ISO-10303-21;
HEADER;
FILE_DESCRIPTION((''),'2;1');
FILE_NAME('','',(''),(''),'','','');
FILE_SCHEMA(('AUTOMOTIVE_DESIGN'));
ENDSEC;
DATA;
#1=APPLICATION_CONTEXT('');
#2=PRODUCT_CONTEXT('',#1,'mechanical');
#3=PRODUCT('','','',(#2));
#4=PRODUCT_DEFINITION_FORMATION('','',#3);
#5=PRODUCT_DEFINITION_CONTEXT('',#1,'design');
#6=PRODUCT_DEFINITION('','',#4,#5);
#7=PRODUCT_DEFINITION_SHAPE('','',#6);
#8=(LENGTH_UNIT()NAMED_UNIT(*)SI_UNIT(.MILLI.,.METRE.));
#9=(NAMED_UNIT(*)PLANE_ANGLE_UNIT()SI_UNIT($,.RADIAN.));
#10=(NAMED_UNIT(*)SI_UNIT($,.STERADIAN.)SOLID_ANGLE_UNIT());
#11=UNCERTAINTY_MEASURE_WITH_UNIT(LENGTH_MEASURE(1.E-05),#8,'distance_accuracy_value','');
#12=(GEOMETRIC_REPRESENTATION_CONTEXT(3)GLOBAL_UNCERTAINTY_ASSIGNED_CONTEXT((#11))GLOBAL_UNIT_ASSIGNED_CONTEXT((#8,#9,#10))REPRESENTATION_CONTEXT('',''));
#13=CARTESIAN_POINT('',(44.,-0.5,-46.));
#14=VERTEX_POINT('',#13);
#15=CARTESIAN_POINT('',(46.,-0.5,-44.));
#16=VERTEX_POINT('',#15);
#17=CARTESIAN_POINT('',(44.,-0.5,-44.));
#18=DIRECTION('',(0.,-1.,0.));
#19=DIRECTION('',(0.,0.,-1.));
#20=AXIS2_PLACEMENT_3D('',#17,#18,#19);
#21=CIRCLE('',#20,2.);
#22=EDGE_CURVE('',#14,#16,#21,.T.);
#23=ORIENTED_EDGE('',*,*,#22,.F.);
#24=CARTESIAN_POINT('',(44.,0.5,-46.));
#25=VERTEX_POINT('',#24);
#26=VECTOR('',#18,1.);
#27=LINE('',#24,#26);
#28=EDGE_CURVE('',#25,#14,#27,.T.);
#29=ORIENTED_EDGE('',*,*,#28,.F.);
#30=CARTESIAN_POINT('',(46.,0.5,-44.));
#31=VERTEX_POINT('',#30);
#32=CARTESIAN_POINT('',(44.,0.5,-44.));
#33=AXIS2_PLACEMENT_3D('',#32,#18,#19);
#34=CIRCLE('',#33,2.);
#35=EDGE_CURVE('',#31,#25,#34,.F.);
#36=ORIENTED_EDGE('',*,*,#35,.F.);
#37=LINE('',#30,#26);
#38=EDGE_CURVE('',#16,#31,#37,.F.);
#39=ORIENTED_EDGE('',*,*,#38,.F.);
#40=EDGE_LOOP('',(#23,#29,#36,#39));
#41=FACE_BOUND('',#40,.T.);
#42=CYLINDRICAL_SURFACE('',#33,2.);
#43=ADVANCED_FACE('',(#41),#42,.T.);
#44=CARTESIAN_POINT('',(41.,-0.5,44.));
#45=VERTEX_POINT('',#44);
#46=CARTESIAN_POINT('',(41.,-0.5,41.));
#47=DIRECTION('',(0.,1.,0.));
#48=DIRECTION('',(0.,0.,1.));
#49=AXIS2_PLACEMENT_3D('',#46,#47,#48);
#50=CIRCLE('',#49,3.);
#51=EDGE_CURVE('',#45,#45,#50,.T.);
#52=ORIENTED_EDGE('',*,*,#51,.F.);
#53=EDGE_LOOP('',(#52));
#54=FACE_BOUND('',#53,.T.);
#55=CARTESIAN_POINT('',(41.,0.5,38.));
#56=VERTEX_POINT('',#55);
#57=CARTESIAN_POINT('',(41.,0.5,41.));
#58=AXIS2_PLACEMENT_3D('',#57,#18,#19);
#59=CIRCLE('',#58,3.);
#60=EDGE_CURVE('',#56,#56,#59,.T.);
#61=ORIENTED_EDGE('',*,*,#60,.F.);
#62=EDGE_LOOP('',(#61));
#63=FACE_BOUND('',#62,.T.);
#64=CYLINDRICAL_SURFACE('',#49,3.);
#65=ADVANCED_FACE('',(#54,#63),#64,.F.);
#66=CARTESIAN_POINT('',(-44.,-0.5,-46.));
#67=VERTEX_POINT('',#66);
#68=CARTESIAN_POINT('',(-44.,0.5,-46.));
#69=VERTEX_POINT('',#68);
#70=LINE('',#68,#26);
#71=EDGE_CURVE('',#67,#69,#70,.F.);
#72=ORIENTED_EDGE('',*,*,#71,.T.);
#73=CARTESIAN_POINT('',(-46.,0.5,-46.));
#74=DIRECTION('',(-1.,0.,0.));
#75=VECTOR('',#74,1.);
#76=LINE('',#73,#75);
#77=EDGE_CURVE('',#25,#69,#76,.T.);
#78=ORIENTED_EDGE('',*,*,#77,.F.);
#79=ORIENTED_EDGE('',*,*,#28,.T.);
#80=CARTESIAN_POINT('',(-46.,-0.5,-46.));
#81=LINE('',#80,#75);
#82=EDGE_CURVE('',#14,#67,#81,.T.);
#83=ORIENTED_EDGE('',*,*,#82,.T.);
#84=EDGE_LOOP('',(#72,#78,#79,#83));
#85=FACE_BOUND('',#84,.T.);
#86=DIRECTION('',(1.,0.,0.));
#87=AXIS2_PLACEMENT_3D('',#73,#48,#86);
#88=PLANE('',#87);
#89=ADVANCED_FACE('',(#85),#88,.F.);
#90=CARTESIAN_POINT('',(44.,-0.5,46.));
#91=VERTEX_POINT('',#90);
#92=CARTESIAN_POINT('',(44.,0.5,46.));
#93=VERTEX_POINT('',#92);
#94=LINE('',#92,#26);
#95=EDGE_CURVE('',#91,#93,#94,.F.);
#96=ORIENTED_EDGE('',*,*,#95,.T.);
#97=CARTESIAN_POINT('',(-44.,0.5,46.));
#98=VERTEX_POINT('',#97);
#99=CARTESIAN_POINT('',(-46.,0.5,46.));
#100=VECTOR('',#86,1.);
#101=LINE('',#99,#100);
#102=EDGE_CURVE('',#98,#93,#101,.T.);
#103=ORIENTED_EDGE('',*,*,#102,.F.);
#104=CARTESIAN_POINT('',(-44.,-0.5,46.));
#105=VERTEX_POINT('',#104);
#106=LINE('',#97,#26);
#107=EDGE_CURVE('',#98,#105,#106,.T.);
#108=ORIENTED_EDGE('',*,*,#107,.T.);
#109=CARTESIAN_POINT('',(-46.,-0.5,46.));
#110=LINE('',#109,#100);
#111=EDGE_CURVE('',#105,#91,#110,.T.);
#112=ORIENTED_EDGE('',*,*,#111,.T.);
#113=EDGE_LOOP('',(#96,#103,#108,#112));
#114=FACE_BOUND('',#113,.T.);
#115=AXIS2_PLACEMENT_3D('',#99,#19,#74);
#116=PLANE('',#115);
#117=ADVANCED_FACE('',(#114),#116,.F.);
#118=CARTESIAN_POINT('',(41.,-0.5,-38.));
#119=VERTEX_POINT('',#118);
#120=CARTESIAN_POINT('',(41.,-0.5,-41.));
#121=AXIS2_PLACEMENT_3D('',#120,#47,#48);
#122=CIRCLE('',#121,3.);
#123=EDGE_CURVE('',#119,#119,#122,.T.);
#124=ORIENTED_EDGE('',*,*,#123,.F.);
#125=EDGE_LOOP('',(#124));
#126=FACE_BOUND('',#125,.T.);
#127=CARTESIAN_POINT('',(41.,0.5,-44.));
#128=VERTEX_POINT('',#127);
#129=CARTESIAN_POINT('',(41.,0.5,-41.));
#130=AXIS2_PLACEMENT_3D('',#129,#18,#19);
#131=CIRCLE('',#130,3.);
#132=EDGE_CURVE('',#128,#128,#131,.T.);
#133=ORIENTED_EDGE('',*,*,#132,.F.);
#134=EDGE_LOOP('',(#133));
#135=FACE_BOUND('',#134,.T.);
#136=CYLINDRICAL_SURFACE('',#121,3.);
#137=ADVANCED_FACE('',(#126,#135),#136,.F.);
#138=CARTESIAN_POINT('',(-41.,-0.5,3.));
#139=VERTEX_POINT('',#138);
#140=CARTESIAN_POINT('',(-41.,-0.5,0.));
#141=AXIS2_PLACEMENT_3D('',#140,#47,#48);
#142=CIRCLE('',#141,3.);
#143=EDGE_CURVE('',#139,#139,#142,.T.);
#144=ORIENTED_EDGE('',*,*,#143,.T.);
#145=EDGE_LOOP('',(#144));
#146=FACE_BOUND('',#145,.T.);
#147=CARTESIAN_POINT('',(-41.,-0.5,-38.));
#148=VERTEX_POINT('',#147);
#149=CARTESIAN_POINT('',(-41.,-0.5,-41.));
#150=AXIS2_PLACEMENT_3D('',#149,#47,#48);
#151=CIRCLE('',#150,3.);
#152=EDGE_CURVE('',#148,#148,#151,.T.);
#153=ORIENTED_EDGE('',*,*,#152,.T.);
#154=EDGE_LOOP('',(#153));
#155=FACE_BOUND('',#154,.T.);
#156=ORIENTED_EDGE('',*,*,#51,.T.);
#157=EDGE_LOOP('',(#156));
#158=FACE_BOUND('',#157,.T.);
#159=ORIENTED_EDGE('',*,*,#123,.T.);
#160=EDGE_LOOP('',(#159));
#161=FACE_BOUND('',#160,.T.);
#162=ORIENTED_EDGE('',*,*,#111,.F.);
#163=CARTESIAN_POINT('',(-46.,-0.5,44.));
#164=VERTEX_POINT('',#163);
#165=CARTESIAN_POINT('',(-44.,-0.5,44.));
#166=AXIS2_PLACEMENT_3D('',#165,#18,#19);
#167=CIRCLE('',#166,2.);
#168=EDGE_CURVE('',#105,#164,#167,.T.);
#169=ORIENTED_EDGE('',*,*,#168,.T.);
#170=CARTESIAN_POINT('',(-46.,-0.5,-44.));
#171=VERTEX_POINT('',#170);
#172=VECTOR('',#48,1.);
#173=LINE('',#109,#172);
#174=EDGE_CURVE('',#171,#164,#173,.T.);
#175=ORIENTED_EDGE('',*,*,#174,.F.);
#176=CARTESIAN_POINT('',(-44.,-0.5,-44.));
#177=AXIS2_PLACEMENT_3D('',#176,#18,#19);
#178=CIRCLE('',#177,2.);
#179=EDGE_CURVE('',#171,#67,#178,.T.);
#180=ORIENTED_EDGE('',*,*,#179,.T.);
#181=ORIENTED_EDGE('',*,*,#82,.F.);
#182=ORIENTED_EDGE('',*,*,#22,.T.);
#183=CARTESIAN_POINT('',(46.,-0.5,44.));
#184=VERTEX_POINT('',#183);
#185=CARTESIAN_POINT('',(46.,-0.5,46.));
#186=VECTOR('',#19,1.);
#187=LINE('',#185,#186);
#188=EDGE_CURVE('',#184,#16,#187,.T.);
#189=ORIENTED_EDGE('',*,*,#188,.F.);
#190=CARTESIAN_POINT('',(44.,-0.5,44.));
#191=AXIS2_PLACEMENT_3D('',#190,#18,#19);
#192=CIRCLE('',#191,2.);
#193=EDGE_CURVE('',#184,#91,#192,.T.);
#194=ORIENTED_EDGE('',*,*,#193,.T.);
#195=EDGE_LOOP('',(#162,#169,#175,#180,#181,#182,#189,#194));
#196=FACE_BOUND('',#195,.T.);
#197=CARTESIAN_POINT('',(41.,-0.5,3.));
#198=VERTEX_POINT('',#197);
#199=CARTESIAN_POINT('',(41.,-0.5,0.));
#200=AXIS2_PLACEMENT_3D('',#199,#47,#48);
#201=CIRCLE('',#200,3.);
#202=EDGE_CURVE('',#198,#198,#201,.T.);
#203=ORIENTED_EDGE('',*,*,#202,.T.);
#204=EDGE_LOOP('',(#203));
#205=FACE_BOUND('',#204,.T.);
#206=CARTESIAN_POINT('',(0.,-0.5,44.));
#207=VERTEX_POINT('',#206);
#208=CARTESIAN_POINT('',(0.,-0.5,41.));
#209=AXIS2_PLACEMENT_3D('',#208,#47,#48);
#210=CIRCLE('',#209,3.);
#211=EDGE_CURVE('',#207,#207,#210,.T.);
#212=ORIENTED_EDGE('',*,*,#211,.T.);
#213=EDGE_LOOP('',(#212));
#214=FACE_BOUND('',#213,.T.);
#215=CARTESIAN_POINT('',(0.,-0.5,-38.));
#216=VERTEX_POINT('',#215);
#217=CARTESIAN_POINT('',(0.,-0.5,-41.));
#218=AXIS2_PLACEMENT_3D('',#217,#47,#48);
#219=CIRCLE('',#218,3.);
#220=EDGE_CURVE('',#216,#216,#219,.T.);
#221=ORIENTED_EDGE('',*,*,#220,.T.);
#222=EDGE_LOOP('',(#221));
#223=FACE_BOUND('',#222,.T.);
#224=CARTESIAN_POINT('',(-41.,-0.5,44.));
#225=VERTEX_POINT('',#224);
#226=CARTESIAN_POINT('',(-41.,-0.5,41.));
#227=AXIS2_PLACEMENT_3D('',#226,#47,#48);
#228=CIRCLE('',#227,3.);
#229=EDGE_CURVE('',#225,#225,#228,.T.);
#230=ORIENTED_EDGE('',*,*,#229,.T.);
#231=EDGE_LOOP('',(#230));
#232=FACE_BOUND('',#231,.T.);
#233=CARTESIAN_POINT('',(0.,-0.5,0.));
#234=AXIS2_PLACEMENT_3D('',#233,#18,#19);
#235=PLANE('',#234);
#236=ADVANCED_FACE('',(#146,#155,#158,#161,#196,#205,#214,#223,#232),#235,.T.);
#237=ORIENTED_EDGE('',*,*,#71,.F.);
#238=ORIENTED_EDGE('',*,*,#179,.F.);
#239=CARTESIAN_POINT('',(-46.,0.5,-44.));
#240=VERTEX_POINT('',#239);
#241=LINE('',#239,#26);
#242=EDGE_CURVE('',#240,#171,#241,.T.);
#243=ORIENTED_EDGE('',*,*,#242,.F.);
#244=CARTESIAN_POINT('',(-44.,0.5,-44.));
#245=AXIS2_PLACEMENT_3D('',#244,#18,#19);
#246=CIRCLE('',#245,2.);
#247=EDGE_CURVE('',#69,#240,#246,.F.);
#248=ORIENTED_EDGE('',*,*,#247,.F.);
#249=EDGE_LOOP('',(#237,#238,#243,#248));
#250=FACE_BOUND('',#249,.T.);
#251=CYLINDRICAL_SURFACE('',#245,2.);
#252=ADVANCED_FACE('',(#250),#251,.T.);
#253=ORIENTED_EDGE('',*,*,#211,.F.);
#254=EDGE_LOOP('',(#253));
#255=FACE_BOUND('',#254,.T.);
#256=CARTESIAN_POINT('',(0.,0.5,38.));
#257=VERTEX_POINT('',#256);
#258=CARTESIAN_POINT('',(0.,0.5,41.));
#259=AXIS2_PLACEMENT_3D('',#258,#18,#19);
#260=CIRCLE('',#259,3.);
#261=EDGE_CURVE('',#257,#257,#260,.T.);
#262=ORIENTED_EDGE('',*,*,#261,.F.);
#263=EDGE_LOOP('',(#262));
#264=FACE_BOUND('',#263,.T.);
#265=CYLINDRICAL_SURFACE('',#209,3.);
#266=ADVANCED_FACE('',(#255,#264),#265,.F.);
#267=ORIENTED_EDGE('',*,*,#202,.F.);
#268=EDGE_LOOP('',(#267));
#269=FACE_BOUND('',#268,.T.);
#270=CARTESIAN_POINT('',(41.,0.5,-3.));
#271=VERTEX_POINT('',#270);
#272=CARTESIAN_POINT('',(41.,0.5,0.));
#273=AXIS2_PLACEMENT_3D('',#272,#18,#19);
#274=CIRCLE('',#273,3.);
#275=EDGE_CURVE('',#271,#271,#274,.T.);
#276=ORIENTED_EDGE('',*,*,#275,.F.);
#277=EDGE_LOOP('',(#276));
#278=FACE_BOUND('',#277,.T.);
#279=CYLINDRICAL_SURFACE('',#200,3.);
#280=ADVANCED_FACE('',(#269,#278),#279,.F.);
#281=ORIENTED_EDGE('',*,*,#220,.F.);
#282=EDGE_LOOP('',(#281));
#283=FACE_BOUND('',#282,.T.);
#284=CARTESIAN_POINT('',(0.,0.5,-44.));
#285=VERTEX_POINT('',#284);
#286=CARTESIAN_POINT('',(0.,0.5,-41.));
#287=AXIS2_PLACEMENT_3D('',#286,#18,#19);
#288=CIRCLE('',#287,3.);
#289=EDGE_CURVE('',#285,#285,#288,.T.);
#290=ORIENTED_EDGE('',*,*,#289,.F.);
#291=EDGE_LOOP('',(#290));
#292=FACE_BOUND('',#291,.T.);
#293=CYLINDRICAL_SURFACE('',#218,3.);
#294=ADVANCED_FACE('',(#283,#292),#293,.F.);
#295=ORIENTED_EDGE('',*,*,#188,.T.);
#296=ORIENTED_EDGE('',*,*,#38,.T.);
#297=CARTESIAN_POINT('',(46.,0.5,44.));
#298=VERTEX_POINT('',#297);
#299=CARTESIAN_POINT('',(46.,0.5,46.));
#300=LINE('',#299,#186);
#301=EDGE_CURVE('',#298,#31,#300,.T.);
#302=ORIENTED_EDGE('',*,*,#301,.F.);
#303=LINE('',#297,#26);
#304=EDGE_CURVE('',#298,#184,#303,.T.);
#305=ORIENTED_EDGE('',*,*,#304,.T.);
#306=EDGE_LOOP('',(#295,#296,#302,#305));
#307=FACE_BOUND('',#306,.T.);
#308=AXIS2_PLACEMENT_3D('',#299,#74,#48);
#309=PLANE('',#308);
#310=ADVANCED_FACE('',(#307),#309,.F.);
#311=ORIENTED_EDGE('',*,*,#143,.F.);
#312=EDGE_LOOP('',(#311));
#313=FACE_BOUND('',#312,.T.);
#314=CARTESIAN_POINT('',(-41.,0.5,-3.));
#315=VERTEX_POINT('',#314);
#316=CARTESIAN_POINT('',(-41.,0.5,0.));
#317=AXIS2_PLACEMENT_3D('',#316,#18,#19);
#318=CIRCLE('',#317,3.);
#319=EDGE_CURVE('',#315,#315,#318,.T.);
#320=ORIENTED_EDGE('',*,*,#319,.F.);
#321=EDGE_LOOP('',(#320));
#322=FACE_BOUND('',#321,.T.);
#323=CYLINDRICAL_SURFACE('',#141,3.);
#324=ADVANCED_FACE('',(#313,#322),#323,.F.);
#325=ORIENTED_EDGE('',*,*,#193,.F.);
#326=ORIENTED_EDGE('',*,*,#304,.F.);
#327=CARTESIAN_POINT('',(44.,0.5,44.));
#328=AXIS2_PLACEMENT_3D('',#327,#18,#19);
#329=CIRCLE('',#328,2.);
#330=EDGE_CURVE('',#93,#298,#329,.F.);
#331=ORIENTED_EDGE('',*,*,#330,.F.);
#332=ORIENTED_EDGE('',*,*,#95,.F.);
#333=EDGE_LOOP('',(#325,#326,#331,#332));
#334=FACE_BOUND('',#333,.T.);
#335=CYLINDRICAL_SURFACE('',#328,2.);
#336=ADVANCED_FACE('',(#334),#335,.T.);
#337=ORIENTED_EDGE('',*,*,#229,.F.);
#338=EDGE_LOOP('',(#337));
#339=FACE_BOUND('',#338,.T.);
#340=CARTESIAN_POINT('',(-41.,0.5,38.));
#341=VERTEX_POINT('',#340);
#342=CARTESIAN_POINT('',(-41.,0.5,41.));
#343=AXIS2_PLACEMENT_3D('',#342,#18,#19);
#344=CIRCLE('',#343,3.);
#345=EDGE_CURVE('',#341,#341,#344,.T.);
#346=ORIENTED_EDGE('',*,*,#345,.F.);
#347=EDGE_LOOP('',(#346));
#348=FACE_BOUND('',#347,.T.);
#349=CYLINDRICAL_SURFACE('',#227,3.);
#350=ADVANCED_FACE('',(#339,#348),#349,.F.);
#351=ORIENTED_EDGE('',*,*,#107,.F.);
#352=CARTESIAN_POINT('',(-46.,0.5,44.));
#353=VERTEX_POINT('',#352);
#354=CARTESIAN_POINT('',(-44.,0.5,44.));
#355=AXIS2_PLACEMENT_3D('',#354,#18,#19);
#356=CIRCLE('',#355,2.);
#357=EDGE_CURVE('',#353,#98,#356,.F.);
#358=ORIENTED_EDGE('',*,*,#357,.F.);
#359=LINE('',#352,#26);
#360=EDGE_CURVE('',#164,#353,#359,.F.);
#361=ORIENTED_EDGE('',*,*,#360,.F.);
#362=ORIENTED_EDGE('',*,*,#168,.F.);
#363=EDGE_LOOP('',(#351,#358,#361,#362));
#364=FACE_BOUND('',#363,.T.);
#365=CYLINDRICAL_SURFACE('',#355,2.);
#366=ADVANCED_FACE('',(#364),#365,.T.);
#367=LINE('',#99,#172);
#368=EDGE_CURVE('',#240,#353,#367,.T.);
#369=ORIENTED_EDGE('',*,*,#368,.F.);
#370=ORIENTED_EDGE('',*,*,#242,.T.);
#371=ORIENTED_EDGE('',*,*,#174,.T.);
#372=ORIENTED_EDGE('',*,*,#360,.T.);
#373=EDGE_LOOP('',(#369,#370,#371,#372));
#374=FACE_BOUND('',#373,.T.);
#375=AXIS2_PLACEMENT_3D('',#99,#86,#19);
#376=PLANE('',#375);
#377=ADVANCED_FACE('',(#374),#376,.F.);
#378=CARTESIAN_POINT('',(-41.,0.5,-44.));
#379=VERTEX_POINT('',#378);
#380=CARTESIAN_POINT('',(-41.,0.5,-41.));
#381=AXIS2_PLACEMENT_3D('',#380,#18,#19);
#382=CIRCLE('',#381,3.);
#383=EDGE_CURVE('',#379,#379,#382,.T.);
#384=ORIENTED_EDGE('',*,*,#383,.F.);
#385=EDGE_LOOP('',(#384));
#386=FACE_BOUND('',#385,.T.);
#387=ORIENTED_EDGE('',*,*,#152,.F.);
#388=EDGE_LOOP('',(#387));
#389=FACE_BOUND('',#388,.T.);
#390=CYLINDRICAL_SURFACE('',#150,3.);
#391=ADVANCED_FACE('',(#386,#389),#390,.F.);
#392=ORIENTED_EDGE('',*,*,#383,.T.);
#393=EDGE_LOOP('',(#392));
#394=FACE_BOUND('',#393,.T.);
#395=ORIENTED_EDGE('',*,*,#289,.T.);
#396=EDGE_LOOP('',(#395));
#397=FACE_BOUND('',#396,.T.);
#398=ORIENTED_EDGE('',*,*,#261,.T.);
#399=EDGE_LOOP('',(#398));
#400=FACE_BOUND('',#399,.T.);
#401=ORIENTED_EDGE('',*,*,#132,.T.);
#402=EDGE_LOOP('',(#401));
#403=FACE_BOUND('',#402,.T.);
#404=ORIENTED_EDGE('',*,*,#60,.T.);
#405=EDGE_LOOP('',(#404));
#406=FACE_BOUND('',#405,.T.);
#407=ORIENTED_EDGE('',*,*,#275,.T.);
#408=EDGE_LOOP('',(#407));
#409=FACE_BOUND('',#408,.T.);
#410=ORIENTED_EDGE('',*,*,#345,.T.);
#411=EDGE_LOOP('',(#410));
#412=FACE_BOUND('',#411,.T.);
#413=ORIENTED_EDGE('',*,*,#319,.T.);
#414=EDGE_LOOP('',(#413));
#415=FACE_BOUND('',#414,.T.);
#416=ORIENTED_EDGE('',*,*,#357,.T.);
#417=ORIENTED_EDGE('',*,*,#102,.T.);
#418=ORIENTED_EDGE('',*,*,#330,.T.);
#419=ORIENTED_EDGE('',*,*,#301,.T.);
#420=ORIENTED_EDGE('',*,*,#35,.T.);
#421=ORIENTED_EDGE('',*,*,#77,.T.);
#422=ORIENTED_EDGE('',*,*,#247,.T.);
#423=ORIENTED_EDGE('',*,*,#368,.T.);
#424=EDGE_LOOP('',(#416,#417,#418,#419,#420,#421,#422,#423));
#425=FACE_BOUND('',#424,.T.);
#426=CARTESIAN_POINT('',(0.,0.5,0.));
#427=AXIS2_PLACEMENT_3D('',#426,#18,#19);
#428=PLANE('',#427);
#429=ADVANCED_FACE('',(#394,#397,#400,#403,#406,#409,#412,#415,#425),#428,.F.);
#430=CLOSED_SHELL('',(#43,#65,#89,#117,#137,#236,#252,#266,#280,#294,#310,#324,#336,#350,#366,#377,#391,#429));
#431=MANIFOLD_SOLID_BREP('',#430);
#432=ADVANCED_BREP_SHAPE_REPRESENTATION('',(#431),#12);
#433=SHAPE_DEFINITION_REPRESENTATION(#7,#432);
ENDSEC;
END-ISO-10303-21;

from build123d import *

# Parameters (mm, degrees)
SKETCH1_W               = 92
SKETCH1_H               = 92
BOSS_EXTRUDE1_DEPTH     = 0.5
FILLET1_R               = 2
CUT_EXTRUDE1_DEPTH      = 66.061509358
CUT_EXTRUDE1_DEPTH_BACK = 66.061509358
SKETCH2_R               = 3


with BuildPart() as part:
    # Sketch1 → Boss-Extrude1 (new, symmetric)
    with BuildSketch(Plane(origin=(0, 0, 0), x_dir=(1, 0, 0), z_dir=(0, 1, 0))):
        Rectangle(SKETCH1_W, SKETCH1_H)
    extrude(amount=BOSS_EXTRUDE1_DEPTH, both=True)

    # Fillet1
    fillet1_edges = [part.edges().sort_by_distance(p)[0] for p in [
        (46, 0, 46),
        (-46, 0, 46),
        (-46, 0, -46),
        (46, 0, -46),
    ]]
    fillet(fillet1_edges, radius=FILLET1_R)

    # Sketch2 → Cut-Extrude1 (cut, two sides: drawn at the far end of the back side and taken through both)
    with BuildSketch(Plane(origin=(0, 0.5, 0), x_dir=(1, 0, 0), z_dir=(0, 1, 0)).offset(-CUT_EXTRUDE1_DEPTH_BACK)):
        with Locations(Location((-41, 41, 0), (0, 0, 270))):
            Circle(SKETCH2_R)
        with Locations(Location((0, 41, 0), (0, 0, 270))):
            Circle(SKETCH2_R)
        with Locations(Location((41, 41, 0), (0, 0, 270))):
            Circle(SKETCH2_R)
        with Locations(Location((41, 0, 0), (0, 0, 270))):
            Circle(SKETCH2_R)
        with Locations(Location((41, -41, 0), (0, 0, 270))):
            Circle(SKETCH2_R)
        with Locations(Location((0, -41, 0), (0, 0, 270))):
            Circle(SKETCH2_R)
        with Locations(Location((-41, -41, 0), (0, 0, 270))):
            Circle(SKETCH2_R)
        with Locations(Location((-41, 0, 0), (0, 0, 270))):
            Circle(SKETCH2_R)
    extrude(amount=CUT_EXTRUDE1_DEPTH + CUT_EXTRUDE1_DEPTH_BACK, mode=Mode.SUBTRACT)


solid = part.part
